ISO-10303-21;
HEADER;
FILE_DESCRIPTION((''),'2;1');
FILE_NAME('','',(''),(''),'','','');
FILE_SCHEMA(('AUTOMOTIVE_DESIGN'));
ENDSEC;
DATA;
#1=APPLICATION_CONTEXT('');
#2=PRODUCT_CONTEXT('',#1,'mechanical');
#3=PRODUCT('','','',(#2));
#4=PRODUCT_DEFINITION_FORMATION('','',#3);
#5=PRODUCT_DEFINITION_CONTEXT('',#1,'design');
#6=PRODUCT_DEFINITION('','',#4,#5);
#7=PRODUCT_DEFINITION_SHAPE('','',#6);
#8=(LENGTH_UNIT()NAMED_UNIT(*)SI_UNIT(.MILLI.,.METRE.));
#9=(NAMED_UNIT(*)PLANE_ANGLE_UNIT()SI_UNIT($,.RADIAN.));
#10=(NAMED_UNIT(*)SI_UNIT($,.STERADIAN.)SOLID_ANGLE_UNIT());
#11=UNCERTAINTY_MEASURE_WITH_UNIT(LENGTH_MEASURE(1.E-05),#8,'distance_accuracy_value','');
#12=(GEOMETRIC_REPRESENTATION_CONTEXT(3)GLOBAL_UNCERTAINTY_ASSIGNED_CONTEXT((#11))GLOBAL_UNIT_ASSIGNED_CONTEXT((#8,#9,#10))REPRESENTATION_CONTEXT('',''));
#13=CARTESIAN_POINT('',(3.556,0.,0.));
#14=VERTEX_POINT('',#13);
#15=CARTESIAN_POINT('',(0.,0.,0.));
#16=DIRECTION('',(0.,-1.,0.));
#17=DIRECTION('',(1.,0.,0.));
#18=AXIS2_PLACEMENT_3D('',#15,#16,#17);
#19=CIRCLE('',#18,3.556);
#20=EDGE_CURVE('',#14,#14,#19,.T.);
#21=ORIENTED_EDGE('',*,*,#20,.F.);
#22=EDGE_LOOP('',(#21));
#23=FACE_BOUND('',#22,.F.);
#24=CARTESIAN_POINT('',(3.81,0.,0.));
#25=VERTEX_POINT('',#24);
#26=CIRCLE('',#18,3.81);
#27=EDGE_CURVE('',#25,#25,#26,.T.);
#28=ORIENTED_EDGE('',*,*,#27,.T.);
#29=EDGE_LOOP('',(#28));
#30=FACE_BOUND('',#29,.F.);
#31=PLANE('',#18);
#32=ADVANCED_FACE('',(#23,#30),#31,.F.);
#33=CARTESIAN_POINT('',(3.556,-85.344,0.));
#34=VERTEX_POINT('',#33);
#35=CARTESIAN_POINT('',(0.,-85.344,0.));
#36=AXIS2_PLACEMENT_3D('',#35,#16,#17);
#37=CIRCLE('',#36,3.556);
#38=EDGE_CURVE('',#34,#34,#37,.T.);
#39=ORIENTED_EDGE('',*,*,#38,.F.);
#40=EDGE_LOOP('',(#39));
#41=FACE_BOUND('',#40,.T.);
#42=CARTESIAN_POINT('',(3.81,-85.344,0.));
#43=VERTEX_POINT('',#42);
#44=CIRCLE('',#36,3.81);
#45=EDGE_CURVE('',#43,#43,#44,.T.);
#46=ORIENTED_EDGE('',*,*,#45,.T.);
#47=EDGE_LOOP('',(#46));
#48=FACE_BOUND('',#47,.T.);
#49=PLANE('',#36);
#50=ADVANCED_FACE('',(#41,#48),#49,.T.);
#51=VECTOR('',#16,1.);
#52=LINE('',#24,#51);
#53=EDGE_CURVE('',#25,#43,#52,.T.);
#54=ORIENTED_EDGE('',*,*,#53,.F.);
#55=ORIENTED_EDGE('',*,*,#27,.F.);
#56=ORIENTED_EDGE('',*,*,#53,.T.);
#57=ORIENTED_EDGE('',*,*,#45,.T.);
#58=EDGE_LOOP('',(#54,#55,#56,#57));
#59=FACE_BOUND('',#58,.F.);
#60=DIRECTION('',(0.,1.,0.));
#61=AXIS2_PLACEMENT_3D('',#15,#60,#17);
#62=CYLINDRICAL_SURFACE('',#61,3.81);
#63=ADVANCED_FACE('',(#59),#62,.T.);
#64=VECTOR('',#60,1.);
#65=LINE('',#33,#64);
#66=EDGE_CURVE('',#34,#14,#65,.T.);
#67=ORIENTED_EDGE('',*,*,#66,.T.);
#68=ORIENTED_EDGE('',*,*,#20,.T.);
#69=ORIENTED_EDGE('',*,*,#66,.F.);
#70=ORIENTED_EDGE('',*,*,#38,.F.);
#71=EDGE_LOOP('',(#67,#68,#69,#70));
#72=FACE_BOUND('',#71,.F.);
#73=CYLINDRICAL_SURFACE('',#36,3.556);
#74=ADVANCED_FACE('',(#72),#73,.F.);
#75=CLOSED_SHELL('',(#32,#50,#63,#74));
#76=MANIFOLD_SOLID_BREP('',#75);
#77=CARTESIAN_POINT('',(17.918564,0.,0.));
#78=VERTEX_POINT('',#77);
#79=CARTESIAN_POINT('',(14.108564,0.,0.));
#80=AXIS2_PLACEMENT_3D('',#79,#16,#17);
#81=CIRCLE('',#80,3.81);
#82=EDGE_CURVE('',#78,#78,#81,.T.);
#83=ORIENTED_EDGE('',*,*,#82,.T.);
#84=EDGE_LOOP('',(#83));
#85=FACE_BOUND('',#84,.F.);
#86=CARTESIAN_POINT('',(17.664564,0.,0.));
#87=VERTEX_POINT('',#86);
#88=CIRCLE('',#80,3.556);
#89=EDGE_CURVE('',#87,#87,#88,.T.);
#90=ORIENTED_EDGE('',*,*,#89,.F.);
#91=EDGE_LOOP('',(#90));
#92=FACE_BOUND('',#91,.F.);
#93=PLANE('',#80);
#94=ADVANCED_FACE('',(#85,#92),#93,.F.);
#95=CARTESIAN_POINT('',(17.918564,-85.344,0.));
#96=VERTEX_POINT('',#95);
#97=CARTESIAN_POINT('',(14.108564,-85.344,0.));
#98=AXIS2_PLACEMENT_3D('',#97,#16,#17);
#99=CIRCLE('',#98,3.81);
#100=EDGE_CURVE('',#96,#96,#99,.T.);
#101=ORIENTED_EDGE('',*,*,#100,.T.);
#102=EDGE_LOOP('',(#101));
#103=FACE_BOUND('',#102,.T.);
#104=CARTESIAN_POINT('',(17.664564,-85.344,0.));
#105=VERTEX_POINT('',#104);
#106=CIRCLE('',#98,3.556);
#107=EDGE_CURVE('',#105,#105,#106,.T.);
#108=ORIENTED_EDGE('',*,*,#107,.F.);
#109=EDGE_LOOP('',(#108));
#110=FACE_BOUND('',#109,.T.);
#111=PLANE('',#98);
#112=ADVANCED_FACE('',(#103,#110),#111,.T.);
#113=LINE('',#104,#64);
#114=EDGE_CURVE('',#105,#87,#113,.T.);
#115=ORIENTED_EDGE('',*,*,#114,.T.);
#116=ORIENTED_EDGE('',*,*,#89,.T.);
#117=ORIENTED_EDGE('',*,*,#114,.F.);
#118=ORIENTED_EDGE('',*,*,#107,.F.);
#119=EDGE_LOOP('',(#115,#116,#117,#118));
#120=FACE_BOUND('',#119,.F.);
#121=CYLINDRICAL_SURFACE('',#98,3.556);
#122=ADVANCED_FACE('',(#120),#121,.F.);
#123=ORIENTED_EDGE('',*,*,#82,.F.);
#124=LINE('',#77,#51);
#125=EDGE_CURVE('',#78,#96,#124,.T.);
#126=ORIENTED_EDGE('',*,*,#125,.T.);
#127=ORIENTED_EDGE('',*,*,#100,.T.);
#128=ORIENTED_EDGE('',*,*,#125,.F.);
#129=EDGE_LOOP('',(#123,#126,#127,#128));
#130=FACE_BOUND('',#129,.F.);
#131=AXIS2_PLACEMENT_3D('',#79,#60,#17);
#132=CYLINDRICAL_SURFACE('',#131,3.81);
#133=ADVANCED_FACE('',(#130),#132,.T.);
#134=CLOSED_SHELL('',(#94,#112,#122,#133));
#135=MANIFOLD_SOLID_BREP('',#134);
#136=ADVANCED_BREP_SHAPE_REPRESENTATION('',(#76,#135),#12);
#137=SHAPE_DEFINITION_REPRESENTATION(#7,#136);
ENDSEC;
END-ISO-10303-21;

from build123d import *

# Parameters (mm, degrees)
F0_R     = 3.81
F1_R     = 3.81
F2_DEPTH = 85.344
F4_R     = 3.556
F5_DEPTH = 101.092
F3_R     = 3.556
F6_DEPTH = 100.33


with BuildPart() as f2:
    # F0 (on Front) + F1 (on Front) → F2 (new body)
    with BuildSketch(Plane.XZ):
        Circle(F0_R)
    with BuildSketch(Plane.XZ):
        with Locations((14.108564, 0)):
            Circle(F1_R)
    extrude(amount=F2_DEPTH)

    # F4 (on face) → F5 (cut)
    with BuildSketch(Plane.XZ.offset(85.344)):
        Circle(F4_R)
    extrude(amount=-F5_DEPTH, mode=Mode.SUBTRACT)

    # F3 (on face) → F6 (cut)
    with BuildSketch(Plane.XZ.offset(85.344)):
        with Locations((14.108564, 0)):
            Circle(F3_R)
    extrude(amount=-F6_DEPTH, mode=Mode.SUBTRACT)


solid = f2.part
